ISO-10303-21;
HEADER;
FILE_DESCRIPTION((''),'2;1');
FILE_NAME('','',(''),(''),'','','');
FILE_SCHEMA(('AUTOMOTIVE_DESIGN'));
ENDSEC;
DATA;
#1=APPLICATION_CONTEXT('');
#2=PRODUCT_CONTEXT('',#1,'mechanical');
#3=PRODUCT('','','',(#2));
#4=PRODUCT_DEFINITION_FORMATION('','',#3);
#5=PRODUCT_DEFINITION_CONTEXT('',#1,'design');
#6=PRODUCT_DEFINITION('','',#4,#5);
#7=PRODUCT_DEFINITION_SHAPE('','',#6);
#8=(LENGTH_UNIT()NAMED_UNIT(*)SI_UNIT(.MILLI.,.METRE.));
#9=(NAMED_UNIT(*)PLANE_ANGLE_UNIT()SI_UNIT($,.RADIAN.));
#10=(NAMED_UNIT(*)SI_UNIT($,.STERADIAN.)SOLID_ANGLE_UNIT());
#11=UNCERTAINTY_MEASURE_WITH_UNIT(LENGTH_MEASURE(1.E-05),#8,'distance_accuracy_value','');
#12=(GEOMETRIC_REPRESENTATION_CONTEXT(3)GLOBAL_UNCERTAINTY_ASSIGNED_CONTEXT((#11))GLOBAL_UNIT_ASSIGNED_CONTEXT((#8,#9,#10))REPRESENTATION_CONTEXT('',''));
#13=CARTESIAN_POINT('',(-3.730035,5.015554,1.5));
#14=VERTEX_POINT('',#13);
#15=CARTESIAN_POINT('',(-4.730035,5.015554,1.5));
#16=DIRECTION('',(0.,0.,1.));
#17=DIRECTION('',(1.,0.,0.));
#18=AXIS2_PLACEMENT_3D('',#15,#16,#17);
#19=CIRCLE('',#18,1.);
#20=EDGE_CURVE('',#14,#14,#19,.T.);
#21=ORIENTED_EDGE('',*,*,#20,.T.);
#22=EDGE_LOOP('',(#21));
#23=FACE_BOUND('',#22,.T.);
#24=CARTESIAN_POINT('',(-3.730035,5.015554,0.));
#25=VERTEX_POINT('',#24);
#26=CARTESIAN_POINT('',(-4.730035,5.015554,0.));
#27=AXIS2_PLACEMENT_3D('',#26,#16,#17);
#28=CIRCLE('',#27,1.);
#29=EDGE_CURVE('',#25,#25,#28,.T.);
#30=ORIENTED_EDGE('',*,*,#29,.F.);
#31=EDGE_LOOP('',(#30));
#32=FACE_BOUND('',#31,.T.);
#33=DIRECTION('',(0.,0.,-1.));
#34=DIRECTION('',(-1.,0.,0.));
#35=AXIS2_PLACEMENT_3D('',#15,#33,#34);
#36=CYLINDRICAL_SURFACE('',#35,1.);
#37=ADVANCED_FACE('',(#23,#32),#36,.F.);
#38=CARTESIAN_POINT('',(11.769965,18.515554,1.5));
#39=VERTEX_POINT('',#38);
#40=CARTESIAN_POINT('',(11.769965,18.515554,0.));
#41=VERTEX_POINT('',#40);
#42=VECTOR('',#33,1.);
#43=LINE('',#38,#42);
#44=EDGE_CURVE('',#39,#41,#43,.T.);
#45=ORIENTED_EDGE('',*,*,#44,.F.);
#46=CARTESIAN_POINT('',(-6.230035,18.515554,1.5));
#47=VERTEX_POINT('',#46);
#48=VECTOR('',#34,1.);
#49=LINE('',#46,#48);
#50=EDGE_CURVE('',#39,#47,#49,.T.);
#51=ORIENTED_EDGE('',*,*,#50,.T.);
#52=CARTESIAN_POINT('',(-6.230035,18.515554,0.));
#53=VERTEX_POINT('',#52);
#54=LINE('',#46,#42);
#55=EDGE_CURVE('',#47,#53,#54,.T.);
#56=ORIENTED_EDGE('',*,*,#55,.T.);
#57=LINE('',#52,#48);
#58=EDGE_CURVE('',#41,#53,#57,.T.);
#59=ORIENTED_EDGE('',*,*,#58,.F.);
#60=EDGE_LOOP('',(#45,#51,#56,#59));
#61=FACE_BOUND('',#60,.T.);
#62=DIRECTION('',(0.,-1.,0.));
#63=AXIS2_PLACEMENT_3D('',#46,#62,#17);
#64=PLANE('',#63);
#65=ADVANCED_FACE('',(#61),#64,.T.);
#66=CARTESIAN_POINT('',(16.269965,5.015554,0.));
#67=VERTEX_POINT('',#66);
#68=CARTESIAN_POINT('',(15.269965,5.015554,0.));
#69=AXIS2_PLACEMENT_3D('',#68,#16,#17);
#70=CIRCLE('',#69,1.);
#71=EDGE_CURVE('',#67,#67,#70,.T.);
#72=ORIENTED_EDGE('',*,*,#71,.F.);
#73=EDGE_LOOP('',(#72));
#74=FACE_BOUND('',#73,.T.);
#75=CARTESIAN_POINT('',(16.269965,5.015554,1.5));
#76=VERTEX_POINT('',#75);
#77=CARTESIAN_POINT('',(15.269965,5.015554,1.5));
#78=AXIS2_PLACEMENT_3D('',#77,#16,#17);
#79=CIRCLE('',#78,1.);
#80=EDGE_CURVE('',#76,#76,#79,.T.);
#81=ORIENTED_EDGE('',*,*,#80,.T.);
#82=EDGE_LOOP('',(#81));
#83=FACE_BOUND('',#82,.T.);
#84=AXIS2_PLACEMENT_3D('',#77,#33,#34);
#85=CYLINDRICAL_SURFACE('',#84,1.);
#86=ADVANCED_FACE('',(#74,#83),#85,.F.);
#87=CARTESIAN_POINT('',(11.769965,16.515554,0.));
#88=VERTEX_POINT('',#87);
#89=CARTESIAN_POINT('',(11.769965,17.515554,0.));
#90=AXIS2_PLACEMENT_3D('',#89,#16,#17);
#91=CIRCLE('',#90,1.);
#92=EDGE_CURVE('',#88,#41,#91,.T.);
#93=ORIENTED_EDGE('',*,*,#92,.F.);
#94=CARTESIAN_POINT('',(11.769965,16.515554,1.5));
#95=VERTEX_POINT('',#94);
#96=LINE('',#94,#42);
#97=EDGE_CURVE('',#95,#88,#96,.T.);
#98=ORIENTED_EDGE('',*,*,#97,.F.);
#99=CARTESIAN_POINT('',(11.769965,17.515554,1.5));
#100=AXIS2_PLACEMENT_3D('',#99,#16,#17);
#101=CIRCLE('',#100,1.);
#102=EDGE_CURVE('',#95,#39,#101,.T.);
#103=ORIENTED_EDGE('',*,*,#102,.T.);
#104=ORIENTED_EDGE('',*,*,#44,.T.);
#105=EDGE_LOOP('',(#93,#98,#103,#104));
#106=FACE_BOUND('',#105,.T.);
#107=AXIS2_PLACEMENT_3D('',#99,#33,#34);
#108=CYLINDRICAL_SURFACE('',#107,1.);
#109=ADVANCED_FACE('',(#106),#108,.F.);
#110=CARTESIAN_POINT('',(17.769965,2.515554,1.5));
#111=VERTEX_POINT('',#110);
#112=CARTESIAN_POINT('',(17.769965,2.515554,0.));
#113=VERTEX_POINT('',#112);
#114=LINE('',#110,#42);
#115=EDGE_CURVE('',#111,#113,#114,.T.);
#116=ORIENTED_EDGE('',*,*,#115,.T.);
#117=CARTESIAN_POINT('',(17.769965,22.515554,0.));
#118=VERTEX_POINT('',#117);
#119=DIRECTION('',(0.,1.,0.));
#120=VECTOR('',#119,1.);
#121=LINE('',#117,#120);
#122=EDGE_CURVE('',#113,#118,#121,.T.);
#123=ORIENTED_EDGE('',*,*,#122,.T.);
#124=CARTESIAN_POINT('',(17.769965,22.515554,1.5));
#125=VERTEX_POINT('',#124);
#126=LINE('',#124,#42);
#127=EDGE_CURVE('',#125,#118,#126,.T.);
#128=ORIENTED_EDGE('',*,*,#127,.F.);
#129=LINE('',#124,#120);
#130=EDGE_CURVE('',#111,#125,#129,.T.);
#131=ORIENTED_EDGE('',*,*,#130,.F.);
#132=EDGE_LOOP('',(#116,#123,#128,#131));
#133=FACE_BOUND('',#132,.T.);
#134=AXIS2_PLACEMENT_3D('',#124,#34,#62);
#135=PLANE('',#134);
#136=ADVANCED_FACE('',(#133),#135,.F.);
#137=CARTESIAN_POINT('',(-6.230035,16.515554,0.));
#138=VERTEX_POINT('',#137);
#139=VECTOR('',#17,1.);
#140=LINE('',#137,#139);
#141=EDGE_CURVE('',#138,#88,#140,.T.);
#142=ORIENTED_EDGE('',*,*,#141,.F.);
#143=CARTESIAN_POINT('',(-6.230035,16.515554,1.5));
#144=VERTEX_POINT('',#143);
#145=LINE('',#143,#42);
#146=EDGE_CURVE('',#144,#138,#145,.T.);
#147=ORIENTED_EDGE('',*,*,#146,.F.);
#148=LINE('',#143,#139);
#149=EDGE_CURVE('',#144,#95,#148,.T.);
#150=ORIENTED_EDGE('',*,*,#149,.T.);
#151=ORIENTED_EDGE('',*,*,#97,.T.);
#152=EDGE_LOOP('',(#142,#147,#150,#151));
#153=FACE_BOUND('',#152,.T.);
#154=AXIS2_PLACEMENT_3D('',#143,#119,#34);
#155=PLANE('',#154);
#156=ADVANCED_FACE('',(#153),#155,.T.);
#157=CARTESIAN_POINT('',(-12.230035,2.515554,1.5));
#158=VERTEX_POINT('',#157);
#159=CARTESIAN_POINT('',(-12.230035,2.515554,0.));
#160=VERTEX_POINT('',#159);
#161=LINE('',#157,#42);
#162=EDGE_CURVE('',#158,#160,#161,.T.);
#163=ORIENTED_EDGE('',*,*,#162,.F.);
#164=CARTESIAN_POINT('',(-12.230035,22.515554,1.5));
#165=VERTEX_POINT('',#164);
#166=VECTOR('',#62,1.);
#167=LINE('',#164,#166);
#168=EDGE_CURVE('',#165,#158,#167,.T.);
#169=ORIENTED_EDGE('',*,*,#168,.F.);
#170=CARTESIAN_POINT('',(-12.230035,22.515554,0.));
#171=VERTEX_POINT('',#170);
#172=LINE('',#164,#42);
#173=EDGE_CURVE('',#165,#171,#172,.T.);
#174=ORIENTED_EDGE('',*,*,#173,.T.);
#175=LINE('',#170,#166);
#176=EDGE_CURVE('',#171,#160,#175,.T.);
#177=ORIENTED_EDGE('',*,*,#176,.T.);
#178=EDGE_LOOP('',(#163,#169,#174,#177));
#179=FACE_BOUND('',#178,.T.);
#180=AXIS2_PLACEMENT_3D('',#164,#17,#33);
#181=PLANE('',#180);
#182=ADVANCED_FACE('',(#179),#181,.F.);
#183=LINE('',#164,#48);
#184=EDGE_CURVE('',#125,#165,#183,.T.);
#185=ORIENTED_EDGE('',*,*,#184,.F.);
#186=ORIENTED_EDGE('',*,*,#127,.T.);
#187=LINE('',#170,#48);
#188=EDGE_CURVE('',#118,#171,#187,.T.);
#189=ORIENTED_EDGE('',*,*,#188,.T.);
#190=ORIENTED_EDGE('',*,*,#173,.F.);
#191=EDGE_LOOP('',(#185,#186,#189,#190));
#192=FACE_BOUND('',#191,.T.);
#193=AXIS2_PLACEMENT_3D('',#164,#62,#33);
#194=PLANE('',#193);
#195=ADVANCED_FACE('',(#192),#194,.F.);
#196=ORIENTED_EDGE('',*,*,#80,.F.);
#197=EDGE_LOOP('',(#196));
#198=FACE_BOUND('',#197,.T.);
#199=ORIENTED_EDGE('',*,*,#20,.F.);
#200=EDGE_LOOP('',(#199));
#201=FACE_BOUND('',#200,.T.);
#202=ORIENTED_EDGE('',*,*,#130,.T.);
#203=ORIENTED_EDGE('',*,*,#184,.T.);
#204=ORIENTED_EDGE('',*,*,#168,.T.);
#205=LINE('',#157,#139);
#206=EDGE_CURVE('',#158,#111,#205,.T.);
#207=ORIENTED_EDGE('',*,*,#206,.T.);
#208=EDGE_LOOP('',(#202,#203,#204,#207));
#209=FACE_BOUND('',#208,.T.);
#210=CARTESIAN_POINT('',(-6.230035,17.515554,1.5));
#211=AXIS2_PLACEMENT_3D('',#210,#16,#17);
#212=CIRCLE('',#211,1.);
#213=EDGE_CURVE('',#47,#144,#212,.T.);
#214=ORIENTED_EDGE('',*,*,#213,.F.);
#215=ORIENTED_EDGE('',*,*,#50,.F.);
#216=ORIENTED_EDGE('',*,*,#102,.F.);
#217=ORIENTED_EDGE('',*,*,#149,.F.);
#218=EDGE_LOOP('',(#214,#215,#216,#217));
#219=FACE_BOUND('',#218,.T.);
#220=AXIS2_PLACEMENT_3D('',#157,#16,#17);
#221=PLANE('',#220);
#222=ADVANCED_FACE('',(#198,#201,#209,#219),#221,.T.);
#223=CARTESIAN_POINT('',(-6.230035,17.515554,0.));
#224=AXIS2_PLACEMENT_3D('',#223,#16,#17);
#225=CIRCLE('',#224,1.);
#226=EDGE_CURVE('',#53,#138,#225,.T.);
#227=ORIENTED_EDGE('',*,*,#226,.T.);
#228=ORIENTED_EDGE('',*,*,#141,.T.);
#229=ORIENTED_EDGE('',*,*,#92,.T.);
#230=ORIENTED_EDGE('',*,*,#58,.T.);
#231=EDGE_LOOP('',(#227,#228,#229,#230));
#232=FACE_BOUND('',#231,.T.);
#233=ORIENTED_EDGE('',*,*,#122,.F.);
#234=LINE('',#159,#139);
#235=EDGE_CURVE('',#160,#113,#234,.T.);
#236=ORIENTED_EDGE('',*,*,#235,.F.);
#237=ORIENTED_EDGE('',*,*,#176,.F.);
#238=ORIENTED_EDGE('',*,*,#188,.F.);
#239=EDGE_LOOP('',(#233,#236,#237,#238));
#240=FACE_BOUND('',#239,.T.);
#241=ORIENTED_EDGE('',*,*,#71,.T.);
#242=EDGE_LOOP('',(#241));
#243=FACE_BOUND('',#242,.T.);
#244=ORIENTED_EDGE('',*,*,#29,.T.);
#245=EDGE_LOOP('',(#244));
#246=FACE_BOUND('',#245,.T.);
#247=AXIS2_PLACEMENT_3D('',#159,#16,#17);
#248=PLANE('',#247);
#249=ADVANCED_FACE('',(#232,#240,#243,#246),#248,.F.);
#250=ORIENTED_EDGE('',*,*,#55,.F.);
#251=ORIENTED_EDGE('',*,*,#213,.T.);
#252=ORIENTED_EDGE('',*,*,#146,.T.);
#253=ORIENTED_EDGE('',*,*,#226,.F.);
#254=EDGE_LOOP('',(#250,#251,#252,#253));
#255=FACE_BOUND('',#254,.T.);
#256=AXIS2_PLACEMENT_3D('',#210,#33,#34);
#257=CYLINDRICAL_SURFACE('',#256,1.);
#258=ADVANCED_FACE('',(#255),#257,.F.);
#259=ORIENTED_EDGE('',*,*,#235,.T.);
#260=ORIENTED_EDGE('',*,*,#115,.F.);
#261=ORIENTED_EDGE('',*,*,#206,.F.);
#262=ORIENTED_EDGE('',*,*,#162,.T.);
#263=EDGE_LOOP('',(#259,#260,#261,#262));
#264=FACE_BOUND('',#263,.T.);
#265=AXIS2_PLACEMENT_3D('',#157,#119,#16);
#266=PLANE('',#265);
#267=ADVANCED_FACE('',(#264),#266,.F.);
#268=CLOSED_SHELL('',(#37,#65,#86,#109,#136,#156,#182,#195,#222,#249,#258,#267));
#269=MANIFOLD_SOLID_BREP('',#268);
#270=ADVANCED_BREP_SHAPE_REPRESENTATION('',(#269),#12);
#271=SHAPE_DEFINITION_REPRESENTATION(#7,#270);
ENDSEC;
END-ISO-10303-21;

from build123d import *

# Parameters (mm, degrees)
SKETCH4_W           = 30
SKETCH4_H           = 20
SKETCH4_R           = 1
BOSS_EXTRUDE2_DEPTH = 1.5


with BuildPart() as part:
    # Sketch4 → Boss-Extrude2 (new body)
    with BuildSketch(Plane.XY):
        with Locations((2.769964864, 12.5155541)):
            Rectangle(SKETCH4_W, SKETCH4_H)
        with Locations((-4.730035136, 5.0155541)):
            Circle(SKETCH4_R, mode=Mode.SUBTRACT)
        with Locations((15.269964864, 5.0155541)):
            Circle(SKETCH4_R, mode=Mode.SUBTRACT)
        with BuildLine():
            Line((-6.230035136, 18.5155541), (11.769964864, 18.5155541))
            ThreePointArc((11.769964864, 18.5155541), (12.769964864, 17.5155541), (11.769964864, 16.5155541))
            Line((11.769964864, 16.5155541), (-6.230035136, 16.5155541))
            ThreePointArc((-6.230035136, 16.5155541), (-7.230035136, 17.5155541), (-6.230035136, 18.5155541))
        make_face(mode=Mode.SUBTRACT)
    extrude(amount=BOSS_EXTRUDE2_DEPTH)


solid = part.part
